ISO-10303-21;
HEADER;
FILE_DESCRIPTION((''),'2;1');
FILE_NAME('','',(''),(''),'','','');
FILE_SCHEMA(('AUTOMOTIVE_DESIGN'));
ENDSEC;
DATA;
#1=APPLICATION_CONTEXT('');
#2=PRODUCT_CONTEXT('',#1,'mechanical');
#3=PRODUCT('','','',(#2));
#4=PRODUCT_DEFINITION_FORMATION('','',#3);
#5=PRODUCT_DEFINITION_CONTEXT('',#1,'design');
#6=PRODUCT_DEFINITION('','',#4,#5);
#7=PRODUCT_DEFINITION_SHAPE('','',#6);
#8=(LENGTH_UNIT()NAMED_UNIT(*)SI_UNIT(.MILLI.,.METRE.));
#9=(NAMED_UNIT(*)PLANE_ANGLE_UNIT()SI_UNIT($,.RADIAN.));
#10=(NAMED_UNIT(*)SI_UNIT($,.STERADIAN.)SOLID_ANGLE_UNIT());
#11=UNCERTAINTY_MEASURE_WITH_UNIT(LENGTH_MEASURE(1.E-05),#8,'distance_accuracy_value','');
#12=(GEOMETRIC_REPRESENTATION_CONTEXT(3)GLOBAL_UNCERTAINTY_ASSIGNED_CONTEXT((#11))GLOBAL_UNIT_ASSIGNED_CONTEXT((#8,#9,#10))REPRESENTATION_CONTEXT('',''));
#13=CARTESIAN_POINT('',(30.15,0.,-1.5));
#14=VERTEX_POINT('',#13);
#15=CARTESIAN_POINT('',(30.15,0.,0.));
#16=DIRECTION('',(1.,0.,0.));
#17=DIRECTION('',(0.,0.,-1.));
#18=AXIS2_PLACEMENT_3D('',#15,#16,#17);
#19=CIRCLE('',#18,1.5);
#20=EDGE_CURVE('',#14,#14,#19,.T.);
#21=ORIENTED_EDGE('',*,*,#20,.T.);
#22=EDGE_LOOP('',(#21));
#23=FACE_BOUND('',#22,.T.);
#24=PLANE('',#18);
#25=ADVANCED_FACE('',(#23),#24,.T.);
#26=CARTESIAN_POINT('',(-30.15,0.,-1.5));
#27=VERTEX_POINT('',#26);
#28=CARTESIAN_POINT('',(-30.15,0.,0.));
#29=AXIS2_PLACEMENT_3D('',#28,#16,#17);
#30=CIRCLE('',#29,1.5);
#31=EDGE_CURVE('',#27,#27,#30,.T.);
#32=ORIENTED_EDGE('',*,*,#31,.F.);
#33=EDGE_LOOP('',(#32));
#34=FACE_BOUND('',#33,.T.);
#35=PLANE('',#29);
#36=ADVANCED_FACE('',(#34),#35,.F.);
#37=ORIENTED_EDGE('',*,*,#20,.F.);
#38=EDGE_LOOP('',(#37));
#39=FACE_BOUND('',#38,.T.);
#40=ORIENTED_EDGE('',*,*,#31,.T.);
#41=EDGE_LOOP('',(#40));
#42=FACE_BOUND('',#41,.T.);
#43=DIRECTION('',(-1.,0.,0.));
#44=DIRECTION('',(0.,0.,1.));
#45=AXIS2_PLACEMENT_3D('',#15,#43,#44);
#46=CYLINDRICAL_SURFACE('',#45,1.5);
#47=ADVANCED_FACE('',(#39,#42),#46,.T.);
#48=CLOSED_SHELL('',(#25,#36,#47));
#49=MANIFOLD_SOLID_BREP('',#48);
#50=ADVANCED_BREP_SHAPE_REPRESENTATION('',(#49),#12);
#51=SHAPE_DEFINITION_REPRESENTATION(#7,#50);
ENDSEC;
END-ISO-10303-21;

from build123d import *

# Parameters (mm, degrees)
SKETCH3_R           = 1.5
BOSS_EXTRUDE1_DEPTH = 30.15


with BuildPart() as part:
    # Sketch3 → Boss-Extrude1 (new body, symmetric)
    with BuildSketch(Plane(origin=(0, 0, 0), x_dir=(0, 0, -1), z_dir=(1, 0, 0))):
        Circle(SKETCH3_R)
    extrude(amount=BOSS_EXTRUDE1_DEPTH, both=True)


solid = part.part
